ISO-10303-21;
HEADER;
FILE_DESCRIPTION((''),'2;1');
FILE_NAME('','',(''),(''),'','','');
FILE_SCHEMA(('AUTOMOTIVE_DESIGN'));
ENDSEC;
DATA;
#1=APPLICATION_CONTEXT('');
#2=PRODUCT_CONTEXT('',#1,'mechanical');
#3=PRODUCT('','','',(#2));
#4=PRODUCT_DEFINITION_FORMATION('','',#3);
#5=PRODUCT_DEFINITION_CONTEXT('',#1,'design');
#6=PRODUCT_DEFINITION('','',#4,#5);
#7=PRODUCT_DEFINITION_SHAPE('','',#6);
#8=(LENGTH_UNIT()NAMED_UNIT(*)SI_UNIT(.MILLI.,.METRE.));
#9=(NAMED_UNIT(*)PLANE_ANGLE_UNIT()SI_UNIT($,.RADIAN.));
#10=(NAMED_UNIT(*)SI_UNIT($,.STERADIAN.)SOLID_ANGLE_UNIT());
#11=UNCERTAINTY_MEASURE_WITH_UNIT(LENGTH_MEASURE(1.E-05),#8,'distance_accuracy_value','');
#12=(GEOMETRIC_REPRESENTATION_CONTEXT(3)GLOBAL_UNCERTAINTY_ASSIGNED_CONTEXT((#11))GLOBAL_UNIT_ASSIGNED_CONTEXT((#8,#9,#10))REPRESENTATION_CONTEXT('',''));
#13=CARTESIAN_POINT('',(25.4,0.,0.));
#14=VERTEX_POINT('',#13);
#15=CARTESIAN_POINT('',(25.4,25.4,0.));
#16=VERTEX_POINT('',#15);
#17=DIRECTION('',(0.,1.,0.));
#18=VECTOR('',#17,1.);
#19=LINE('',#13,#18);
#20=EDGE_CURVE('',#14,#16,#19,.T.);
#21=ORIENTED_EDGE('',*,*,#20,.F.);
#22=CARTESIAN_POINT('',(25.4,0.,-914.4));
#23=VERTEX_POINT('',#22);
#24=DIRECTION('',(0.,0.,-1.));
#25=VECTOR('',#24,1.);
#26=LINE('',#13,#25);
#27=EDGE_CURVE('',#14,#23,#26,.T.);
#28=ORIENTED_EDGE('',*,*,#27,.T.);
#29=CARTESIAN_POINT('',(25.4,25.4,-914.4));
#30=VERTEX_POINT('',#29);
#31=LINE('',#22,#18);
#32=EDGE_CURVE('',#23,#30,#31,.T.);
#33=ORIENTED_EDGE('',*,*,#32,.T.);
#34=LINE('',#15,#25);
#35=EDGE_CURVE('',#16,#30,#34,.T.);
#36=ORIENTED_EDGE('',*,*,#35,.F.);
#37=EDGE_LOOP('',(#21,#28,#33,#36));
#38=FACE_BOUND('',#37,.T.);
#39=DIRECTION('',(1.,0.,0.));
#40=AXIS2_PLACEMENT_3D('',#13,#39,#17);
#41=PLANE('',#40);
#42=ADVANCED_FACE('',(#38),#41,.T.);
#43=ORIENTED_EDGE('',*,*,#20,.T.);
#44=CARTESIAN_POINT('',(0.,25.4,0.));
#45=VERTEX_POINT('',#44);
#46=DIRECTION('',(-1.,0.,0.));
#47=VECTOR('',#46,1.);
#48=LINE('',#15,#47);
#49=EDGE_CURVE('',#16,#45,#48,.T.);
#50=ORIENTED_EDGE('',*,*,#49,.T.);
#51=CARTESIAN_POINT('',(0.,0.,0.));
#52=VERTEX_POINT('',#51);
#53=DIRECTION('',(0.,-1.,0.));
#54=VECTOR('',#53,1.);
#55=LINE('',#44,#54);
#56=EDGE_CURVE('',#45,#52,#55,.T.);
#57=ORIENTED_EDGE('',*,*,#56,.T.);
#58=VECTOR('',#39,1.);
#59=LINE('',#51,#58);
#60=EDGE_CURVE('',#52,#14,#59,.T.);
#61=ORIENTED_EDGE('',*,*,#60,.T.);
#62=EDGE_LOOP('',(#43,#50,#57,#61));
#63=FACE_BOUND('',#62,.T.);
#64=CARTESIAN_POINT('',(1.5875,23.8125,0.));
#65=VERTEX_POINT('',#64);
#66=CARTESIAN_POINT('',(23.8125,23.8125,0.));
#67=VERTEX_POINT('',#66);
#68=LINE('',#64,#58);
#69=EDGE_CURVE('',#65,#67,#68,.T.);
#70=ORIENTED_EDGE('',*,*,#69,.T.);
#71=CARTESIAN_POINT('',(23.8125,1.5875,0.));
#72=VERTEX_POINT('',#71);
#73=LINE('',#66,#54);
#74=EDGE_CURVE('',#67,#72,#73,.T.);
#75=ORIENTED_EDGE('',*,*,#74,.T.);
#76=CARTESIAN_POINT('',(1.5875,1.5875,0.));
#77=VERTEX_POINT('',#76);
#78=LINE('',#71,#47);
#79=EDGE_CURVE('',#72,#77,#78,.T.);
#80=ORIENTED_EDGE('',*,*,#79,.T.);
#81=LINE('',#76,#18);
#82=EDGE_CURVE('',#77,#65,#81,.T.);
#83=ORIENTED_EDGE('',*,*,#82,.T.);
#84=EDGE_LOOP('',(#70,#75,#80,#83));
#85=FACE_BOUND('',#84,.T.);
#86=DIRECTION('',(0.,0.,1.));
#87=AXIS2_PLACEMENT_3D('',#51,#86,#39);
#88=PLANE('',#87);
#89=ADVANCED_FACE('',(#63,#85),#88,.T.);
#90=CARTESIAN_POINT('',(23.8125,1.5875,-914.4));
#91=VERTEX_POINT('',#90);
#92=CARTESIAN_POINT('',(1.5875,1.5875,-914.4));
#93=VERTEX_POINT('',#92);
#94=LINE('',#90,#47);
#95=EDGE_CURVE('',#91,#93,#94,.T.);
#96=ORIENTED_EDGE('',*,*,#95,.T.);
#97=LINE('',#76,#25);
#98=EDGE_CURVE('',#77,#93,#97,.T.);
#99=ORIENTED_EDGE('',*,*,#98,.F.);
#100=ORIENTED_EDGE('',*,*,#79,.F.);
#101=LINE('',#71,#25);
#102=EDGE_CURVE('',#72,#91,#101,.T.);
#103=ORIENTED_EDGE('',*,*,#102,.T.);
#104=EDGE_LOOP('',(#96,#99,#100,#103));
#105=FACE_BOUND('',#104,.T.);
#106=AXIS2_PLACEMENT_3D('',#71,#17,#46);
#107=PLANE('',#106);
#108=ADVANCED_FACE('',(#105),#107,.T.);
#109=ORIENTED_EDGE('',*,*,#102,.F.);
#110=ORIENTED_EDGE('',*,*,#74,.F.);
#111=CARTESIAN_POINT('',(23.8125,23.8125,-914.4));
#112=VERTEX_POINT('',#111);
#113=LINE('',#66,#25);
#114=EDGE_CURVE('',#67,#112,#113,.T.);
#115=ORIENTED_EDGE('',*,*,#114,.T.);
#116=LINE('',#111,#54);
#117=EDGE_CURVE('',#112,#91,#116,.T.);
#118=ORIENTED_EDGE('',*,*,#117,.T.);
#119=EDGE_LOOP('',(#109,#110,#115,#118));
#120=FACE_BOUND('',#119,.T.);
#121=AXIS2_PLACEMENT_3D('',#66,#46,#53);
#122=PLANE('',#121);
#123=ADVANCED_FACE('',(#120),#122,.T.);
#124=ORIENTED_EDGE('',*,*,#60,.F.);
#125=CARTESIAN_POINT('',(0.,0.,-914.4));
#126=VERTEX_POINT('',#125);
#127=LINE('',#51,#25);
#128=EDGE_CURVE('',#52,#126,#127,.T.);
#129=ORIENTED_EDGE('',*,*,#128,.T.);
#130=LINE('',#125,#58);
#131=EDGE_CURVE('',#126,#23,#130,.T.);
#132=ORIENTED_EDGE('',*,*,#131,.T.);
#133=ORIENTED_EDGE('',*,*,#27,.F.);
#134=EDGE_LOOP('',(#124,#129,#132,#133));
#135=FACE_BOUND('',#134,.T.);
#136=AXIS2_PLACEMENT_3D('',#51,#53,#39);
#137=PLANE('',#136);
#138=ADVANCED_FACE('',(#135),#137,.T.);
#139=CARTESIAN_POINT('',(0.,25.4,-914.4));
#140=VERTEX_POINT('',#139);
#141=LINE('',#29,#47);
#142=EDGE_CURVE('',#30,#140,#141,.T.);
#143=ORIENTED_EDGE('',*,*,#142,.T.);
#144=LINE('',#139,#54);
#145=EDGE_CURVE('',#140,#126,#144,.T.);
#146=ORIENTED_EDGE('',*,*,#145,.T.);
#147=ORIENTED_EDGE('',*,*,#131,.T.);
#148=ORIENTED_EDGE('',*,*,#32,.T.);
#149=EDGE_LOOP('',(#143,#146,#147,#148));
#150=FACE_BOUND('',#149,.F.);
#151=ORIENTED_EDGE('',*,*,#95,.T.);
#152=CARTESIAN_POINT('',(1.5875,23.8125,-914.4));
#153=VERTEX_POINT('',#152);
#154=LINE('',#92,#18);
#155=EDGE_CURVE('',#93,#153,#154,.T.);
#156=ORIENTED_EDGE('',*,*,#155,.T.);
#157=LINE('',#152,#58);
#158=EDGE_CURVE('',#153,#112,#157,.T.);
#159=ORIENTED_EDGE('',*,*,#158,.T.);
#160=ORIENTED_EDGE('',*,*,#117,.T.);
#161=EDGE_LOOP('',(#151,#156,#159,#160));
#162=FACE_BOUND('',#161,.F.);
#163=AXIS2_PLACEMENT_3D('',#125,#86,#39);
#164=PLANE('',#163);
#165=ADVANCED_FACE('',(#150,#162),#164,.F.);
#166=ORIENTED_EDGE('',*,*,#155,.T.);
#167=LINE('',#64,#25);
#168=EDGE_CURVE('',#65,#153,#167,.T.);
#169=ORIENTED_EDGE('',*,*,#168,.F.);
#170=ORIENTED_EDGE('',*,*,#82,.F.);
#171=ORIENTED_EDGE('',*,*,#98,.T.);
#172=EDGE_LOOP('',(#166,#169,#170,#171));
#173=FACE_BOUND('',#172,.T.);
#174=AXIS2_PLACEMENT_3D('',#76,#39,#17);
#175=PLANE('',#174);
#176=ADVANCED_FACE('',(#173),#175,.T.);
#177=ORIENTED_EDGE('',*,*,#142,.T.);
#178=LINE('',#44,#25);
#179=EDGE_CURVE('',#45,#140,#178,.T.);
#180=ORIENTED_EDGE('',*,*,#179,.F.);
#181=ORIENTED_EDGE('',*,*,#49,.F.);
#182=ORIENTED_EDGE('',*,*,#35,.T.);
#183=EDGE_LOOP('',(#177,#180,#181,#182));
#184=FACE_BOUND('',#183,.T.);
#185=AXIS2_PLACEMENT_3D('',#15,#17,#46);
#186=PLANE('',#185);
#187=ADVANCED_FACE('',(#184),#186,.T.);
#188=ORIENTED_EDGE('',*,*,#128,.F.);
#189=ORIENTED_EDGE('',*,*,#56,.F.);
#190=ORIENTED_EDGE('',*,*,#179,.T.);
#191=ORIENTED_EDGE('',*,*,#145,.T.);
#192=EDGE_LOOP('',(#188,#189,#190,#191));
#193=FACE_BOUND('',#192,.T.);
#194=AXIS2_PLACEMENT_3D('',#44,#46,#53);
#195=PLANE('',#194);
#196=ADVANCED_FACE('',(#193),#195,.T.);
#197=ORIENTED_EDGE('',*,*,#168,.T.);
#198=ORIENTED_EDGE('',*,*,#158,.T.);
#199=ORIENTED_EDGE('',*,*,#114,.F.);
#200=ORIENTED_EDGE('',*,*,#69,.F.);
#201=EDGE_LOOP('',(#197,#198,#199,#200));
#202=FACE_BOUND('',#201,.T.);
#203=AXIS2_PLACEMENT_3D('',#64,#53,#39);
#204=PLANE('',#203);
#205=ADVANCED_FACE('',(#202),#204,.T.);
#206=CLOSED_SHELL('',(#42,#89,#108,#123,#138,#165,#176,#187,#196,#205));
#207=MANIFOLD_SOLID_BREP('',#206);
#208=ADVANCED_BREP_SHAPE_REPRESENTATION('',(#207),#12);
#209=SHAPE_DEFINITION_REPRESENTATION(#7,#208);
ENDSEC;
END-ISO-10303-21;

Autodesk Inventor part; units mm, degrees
ref_plane "YZ Plane" through (0, 0, 0) normal (1, 0, 0) x (0, 1, 0)
ref_plane "XZ Plane" through (0, 0, 0) normal (0, 1, 0) x (-1, 0, 0)
ref_plane "XY Plane" through (0, 0, 0) normal (0, 0, 1) x (1, 0, 0)
sketch "Sketch1" plane through (0, 0, 0) normal (0, 0, 1) x (1, 0, 0)
  line L0 (0, 0) -> (25.4, 0)
  line L1 (25.4, 0) -> (25.4, 25.4)
  line L2 (25.4, 25.4) -> (0, 25.4)
  line L3 (0, 25.4) -> (0, 0)
  line L4 (1.5875, 23.8125) -> (23.8125, 23.8125)
  line L5 (23.8125, 23.8125) -> (23.8125, 1.5875)
  line L6 (23.8125, 1.5875) -> (1.5875, 1.5875)
  line L7 (1.5875, 1.5875) -> (1.5875, 23.8125)
  dimension "d0" = 25.4
  dimension "d1" = 25.4
  dimension "d2" = 1.5875
extrude "Extrusion1" add sketch "Sketch1" against normal blind 914.4
properties part number "1tube_36_frame"
